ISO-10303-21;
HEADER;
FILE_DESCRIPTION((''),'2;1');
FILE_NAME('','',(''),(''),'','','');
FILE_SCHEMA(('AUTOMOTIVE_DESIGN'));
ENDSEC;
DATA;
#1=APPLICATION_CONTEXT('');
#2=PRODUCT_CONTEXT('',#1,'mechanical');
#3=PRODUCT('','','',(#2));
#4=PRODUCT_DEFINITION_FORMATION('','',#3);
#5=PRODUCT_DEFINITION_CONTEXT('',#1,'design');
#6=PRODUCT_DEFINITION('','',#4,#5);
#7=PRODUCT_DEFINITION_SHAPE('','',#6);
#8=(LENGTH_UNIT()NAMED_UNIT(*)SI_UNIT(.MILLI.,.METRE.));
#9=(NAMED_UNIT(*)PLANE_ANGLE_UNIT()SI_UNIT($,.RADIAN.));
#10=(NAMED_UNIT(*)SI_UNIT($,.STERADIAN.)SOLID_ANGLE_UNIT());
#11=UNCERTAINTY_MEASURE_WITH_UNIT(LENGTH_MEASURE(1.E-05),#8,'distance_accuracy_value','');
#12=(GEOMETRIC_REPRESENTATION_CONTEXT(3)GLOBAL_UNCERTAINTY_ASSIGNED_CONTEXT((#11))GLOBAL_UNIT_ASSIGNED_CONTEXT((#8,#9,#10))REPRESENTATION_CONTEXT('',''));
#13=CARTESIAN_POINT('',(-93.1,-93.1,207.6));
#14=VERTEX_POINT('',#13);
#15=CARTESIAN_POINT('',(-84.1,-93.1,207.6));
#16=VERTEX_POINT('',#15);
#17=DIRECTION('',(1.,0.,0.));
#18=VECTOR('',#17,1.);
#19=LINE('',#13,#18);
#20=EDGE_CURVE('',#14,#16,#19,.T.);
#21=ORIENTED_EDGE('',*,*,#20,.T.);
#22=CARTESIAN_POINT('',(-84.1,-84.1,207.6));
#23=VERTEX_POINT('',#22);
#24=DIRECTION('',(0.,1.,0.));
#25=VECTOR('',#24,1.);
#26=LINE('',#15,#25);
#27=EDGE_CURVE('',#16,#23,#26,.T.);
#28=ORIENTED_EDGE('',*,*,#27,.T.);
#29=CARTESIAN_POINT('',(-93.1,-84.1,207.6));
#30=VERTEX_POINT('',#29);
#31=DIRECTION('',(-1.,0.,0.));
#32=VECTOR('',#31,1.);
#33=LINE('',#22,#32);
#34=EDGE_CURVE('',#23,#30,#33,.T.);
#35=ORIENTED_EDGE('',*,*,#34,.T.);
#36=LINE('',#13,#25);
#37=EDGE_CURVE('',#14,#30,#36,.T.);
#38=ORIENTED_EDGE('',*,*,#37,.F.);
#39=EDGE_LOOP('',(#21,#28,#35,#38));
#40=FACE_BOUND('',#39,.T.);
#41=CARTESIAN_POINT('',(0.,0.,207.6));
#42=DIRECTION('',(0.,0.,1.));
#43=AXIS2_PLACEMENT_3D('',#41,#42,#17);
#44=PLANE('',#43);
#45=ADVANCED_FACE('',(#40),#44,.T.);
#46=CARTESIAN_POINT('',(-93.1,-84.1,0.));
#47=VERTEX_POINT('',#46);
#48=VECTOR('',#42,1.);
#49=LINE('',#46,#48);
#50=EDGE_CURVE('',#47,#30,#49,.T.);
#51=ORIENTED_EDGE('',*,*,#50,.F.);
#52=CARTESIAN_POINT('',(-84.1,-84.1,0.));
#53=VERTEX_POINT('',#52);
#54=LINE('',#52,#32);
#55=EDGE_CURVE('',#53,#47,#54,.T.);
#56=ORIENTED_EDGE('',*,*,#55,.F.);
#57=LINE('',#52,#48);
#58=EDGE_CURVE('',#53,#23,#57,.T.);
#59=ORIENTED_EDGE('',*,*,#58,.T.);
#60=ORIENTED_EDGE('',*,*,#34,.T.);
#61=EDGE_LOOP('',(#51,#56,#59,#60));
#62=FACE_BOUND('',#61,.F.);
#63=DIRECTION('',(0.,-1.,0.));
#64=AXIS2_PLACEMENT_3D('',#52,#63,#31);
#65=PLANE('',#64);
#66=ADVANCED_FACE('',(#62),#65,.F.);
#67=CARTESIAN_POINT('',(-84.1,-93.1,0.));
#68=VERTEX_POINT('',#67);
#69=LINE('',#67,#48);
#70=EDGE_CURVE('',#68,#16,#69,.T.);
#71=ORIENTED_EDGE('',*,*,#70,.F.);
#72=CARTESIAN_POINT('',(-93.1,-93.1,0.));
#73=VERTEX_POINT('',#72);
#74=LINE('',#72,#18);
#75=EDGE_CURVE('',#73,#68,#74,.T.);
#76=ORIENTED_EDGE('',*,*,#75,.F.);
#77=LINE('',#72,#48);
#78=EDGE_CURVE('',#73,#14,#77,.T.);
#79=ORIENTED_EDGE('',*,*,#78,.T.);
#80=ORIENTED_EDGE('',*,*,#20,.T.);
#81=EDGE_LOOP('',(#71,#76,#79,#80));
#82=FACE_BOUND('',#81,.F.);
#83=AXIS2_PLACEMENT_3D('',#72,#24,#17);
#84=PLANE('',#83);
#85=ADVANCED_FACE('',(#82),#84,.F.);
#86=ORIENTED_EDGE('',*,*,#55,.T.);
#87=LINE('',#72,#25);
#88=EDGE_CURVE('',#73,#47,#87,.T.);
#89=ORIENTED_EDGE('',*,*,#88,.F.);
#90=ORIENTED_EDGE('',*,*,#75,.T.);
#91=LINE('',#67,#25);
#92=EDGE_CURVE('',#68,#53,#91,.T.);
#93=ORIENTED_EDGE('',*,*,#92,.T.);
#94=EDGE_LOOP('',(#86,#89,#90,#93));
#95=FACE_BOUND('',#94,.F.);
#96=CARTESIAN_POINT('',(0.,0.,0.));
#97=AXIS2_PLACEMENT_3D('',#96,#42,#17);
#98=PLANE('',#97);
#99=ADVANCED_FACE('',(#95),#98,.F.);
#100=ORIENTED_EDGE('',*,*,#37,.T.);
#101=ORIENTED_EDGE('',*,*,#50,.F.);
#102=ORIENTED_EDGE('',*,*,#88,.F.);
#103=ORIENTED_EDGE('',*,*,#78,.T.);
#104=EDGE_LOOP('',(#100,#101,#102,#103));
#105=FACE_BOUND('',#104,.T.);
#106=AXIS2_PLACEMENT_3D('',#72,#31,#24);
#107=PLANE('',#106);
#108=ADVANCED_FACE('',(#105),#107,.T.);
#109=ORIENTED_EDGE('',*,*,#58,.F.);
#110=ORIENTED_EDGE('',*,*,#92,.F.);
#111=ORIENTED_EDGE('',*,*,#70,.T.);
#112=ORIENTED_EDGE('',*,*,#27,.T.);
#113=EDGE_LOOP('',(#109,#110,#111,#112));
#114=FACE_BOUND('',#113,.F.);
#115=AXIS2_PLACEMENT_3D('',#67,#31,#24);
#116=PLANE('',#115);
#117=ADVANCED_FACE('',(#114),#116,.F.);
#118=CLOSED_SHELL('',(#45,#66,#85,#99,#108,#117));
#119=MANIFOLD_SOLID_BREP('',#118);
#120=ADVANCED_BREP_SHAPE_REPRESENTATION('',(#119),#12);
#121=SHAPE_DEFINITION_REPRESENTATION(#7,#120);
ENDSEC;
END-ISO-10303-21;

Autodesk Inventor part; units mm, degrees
ref_plane "YZ Plane" through (0, 0, 0) normal (1, 0, 0) x (0, 1, 0)
ref_plane "XZ Plane" through (0, 0, 0) normal (0, 1, 0) x (-1, 0, 0)
ref_plane "XY Plane" through (0, 0, 0) normal (0, 0, 1) x (1, 0, 0)
ref_plane "Plano de trabajo1" through (0, 0, 0) normal (0, 0, 1) x (1, 0, 0)
sketch "Boceto1" plane through (0, 0, 0) normal (0, 0, 1) x (1, 0, 0)
  line L0 (-93.1, -97.5) -> (-93.1, 97.5) construction
  line L1 (93.1, -93.1) -> (-93.1, -93.1) construction
  line L2 (-93.1, -93.1) -> (-84.1, -93.1) construction
  line L3 (-84.1, -93.1) -> (-84.1, -84.1)
  line L4 (-84.1, -84.1) -> (-93.1, -84.1)
  line L5 (-93.1, -84.1) -> (-93.1, -93.1) construction
  line L6 (-93.1, -93.1) -> (-84.1, -93.1)
  line L7 (-93.1, -93.1) -> (-93.1, -84.1)
  point P0 (0, 0)
  dimension "d2" = 9
  dimension "d3" = 9
extrude "Extrusión1" add sketch "Boceto1" along normal blind 207.6
properties part number "BarraVertical"
